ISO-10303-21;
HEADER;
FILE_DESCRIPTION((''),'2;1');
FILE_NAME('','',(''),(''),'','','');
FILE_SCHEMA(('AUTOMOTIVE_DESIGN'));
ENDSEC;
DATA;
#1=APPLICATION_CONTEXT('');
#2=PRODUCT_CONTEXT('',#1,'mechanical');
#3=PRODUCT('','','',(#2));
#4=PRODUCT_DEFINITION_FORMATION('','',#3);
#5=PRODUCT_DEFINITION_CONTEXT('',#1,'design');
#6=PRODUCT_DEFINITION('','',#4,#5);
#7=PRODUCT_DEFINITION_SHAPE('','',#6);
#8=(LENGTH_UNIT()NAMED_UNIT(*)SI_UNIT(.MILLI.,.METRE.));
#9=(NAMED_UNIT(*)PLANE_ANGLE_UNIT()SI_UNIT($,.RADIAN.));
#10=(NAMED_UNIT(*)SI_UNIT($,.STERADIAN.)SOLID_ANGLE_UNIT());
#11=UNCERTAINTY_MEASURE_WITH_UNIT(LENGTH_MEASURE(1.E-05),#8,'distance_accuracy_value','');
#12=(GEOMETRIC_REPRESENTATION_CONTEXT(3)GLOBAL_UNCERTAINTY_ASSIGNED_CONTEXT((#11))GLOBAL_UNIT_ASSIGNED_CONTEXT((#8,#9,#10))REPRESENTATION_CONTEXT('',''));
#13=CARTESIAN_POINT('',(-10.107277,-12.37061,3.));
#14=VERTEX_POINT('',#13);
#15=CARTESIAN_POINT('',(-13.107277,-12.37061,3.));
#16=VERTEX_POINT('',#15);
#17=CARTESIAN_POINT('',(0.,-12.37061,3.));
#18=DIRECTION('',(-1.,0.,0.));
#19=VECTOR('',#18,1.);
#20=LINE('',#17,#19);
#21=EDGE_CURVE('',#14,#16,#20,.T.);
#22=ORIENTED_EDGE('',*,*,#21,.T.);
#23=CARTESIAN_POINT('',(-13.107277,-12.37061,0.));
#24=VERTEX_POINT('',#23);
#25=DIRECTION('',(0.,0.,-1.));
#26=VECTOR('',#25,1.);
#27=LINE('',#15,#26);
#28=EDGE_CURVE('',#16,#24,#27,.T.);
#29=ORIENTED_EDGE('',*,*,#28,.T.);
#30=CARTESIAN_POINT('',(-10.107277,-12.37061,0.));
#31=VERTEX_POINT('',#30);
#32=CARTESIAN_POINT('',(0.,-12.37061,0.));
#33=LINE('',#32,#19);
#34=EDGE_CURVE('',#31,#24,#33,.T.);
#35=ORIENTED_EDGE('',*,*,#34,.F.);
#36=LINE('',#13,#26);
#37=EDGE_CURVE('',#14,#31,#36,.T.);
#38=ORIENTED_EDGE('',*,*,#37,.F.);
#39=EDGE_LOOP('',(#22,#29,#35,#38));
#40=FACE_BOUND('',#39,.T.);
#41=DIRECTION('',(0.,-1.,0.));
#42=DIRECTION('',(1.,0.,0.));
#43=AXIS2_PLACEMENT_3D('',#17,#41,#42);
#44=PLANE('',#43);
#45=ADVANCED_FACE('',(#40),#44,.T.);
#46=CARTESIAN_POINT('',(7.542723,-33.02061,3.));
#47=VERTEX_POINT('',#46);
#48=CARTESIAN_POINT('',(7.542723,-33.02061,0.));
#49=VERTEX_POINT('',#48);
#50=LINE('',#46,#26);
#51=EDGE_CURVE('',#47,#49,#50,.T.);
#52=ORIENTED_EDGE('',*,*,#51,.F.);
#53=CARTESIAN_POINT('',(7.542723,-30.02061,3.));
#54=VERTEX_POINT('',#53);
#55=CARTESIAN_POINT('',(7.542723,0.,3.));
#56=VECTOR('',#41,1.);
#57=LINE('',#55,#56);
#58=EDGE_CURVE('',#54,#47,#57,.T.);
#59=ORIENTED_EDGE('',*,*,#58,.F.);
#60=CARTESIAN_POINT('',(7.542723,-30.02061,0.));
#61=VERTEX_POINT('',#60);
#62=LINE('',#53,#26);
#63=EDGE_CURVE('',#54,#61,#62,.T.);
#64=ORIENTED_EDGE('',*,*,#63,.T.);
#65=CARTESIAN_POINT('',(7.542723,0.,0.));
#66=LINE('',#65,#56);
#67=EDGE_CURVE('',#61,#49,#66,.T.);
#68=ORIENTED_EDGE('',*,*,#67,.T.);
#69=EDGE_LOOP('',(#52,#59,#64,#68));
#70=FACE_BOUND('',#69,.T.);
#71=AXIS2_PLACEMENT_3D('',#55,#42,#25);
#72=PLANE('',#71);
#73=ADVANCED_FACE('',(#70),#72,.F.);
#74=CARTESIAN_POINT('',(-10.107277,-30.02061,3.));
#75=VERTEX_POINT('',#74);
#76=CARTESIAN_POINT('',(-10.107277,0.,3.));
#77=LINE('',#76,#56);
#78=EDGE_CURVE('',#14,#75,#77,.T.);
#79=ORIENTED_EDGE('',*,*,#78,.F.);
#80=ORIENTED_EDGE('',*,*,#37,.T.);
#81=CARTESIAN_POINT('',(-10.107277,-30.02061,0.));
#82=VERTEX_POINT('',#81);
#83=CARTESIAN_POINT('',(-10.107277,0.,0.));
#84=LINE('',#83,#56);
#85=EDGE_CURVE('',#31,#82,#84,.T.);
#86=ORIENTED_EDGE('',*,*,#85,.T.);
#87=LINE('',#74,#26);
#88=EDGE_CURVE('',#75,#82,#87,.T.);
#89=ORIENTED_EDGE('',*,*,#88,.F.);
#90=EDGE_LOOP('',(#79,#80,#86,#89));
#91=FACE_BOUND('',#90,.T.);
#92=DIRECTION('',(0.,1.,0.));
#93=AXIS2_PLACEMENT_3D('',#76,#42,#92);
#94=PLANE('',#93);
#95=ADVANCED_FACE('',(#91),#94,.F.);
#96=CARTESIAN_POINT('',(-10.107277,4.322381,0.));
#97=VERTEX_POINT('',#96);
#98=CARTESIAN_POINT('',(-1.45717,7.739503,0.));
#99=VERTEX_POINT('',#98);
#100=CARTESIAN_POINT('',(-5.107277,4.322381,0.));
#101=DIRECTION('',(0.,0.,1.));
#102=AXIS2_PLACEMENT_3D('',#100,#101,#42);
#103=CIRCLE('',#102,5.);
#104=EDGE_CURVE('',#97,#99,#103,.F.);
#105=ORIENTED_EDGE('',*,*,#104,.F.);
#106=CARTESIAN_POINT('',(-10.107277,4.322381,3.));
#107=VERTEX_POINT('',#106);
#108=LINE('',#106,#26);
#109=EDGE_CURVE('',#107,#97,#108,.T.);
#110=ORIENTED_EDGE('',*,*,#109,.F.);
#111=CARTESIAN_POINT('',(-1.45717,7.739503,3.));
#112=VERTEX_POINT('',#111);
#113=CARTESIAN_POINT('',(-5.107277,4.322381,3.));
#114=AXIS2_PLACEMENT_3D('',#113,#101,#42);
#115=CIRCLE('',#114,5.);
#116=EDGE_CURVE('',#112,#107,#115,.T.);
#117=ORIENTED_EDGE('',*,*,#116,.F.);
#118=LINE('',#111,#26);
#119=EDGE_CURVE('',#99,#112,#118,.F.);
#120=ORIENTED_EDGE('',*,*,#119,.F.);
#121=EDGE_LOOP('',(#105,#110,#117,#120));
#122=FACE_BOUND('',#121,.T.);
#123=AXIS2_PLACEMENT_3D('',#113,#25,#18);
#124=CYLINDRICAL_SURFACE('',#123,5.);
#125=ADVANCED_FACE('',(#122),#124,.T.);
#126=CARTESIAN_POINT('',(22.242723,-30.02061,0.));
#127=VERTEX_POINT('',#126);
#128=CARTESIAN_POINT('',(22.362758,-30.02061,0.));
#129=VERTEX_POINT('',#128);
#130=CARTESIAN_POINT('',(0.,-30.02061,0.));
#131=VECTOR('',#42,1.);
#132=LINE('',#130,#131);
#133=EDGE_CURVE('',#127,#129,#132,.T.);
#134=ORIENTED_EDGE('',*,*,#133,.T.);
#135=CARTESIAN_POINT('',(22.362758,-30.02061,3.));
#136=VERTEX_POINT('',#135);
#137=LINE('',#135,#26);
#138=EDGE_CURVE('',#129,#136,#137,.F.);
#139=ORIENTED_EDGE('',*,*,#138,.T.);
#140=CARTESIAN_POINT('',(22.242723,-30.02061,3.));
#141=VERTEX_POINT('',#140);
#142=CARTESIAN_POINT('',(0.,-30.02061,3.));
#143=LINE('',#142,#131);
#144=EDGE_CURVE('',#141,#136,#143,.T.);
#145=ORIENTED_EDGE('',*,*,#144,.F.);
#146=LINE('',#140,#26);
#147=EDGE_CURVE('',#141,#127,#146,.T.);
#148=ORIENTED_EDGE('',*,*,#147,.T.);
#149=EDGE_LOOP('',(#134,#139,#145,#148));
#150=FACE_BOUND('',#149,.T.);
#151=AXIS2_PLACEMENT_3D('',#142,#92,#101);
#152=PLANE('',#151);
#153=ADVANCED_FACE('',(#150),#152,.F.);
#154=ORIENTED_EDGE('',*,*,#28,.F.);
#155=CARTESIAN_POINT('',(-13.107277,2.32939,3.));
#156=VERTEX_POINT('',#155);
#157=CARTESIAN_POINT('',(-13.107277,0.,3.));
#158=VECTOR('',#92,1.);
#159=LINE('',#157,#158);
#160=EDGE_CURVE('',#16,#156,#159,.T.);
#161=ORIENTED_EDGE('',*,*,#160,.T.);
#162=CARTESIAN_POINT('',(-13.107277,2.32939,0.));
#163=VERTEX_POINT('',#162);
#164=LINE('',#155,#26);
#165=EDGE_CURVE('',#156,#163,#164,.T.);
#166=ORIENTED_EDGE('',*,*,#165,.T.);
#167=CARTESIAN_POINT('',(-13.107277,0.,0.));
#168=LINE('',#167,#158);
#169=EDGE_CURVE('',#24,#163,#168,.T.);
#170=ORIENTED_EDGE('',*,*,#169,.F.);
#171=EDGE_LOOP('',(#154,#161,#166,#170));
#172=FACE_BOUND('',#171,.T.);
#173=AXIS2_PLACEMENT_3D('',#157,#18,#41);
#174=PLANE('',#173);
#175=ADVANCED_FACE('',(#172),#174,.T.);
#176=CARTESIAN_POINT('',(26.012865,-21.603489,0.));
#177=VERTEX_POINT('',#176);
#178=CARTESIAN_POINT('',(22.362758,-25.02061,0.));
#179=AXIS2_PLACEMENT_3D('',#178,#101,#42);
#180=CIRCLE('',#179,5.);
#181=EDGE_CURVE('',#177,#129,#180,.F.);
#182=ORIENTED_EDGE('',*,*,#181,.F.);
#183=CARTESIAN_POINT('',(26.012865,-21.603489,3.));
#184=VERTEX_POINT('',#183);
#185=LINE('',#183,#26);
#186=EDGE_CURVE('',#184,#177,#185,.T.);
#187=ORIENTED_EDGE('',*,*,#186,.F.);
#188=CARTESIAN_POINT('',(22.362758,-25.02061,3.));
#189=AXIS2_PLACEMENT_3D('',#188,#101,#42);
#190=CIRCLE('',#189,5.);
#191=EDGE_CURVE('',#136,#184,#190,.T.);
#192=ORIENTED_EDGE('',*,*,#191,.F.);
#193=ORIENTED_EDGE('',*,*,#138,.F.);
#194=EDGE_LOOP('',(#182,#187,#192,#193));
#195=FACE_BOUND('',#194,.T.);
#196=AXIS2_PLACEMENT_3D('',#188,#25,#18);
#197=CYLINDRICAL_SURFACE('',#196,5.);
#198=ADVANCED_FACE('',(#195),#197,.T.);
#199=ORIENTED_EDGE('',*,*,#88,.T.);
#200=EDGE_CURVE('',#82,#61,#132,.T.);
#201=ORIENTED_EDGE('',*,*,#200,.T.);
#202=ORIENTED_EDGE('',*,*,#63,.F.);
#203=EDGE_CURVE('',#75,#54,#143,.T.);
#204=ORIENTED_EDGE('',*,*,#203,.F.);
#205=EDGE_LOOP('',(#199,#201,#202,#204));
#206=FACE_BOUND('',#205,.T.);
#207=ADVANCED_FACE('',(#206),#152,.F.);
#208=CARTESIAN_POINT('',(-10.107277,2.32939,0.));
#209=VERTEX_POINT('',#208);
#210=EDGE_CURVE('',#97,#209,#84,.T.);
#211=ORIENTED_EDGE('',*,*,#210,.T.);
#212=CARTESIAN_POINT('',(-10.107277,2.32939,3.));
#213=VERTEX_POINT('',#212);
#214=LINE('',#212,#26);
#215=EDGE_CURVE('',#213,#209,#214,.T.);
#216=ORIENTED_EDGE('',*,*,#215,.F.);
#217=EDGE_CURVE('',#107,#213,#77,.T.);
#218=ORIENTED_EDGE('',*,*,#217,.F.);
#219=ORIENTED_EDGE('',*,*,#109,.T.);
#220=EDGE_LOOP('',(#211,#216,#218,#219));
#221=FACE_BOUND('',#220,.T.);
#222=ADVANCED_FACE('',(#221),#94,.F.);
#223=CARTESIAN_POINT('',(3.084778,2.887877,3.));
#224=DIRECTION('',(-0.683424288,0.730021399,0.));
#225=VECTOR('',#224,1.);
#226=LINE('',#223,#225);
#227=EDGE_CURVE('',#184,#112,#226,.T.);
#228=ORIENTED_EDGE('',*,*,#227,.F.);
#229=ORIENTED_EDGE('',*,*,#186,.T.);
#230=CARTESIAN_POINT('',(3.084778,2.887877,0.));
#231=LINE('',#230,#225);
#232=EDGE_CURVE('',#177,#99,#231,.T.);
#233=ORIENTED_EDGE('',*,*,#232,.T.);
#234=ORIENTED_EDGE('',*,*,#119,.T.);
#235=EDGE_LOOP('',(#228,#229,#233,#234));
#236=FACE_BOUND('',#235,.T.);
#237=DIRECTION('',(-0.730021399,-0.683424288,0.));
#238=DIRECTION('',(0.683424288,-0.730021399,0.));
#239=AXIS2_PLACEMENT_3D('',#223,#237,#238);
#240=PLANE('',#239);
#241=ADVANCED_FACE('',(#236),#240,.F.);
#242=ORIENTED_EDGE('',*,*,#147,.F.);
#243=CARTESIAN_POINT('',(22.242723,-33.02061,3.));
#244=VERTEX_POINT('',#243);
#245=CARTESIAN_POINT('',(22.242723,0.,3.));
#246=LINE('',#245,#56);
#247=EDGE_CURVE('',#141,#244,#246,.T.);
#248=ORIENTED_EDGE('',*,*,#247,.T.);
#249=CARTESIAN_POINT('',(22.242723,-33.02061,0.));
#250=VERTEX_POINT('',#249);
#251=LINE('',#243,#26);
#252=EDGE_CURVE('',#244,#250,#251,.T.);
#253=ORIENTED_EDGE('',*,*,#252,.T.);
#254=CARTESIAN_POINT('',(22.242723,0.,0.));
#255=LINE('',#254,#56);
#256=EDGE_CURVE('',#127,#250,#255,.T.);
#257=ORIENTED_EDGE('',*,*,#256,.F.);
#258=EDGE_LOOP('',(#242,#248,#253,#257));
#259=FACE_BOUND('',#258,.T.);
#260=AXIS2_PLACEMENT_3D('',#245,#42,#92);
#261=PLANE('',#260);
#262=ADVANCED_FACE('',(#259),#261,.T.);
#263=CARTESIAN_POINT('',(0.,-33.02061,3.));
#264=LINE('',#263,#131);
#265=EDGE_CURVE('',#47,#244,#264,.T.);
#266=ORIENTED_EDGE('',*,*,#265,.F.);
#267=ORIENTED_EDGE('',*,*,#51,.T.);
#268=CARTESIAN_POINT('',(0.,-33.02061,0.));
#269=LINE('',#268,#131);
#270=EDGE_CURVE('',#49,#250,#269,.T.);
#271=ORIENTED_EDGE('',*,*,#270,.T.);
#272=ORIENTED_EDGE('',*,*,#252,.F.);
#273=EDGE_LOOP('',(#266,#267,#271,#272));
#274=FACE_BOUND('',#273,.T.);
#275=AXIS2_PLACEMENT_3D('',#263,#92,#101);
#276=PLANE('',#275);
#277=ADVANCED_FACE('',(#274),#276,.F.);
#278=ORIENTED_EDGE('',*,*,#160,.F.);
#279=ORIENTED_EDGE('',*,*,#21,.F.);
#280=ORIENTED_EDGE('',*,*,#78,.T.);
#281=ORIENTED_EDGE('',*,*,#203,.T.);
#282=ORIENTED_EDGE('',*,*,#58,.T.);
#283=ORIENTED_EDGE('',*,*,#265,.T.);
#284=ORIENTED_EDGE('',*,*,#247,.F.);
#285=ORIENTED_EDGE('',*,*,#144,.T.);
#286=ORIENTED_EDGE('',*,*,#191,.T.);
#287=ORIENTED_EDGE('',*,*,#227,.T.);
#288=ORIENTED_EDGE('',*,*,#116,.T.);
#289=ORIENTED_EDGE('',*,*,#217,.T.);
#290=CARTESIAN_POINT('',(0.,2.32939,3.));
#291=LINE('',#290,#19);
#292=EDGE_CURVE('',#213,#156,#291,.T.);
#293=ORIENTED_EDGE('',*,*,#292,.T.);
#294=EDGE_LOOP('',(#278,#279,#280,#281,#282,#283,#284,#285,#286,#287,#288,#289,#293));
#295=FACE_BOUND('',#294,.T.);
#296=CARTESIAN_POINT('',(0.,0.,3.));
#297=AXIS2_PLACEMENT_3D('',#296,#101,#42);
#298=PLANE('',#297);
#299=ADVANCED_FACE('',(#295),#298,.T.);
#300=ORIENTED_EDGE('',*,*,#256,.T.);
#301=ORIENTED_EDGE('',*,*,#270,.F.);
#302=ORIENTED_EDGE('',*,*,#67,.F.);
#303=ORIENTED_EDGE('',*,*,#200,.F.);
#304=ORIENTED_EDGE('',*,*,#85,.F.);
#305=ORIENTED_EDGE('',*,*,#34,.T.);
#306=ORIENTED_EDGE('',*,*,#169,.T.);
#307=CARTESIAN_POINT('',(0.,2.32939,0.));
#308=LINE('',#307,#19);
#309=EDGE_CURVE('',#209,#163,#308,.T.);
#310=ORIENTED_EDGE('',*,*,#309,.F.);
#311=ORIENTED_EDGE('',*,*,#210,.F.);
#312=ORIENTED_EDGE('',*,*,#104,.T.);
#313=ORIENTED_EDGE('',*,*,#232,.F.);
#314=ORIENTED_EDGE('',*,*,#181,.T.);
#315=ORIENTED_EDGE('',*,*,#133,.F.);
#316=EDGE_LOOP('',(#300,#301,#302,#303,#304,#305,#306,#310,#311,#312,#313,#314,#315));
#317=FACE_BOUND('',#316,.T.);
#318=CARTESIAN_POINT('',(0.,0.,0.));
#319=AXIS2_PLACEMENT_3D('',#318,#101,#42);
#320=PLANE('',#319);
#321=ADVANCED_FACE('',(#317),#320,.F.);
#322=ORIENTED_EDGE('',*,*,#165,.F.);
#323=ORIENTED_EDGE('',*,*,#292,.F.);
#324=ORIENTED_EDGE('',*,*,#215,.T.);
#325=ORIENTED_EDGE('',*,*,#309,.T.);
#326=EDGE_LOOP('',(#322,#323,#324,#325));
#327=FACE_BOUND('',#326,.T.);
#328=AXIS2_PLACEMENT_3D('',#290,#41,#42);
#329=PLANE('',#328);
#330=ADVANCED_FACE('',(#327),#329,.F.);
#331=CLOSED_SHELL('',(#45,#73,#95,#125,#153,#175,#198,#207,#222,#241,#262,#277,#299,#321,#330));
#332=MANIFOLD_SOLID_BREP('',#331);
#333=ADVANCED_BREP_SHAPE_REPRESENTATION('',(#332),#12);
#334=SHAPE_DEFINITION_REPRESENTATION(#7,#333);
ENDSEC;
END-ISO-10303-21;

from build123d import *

# Parameters (mm, degrees)
SKETCH1_W           = 14.7
SKETCH1_H           = 3
SKETCH1_W_2         = 3
SKETCH1_H_2         = 14.7
BOSS_EXTRUDE1_DEPTH = 3
FILLET1_R           = 5


with BuildPart() as part:
    # Sketch1 → Boss-Extrude1 (new body)
    with BuildSketch(Plane.XY):
        Polygon((33.892723269, -30.02061011), (12.617997994, -7.295335385), (-10.107276731, -30.02061011), (7.542723269, -30.02061011), (22.242723269, -30.02061011), align=None)
        with Locations((14.892723269, -31.52061011)):
            Rectangle(SKETCH1_W, SKETCH1_H)
        Polygon((12.617997994, -7.295335385), (-10.107276731, 16.97938989), (-10.107276731, 2.32938989), (-10.107276731, -12.37061011), (-10.107276731, -30.02061011), align=None)
        with Locations((-11.607276731, -5.02061011)):
            Rectangle(SKETCH1_W_2, SKETCH1_H_2)
    extrude(amount=BOSS_EXTRUDE1_DEPTH)

    # Fillet1
    fillet1_edges = [part.edges().sort_by_distance(p)[0] for p in [
        (33.892723269, -30.02061011, 1.5),
        (-10.107276731, 16.97938989, 1.5),
    ]]
    fillet(fillet1_edges, radius=FILLET1_R)


solid = part.part
